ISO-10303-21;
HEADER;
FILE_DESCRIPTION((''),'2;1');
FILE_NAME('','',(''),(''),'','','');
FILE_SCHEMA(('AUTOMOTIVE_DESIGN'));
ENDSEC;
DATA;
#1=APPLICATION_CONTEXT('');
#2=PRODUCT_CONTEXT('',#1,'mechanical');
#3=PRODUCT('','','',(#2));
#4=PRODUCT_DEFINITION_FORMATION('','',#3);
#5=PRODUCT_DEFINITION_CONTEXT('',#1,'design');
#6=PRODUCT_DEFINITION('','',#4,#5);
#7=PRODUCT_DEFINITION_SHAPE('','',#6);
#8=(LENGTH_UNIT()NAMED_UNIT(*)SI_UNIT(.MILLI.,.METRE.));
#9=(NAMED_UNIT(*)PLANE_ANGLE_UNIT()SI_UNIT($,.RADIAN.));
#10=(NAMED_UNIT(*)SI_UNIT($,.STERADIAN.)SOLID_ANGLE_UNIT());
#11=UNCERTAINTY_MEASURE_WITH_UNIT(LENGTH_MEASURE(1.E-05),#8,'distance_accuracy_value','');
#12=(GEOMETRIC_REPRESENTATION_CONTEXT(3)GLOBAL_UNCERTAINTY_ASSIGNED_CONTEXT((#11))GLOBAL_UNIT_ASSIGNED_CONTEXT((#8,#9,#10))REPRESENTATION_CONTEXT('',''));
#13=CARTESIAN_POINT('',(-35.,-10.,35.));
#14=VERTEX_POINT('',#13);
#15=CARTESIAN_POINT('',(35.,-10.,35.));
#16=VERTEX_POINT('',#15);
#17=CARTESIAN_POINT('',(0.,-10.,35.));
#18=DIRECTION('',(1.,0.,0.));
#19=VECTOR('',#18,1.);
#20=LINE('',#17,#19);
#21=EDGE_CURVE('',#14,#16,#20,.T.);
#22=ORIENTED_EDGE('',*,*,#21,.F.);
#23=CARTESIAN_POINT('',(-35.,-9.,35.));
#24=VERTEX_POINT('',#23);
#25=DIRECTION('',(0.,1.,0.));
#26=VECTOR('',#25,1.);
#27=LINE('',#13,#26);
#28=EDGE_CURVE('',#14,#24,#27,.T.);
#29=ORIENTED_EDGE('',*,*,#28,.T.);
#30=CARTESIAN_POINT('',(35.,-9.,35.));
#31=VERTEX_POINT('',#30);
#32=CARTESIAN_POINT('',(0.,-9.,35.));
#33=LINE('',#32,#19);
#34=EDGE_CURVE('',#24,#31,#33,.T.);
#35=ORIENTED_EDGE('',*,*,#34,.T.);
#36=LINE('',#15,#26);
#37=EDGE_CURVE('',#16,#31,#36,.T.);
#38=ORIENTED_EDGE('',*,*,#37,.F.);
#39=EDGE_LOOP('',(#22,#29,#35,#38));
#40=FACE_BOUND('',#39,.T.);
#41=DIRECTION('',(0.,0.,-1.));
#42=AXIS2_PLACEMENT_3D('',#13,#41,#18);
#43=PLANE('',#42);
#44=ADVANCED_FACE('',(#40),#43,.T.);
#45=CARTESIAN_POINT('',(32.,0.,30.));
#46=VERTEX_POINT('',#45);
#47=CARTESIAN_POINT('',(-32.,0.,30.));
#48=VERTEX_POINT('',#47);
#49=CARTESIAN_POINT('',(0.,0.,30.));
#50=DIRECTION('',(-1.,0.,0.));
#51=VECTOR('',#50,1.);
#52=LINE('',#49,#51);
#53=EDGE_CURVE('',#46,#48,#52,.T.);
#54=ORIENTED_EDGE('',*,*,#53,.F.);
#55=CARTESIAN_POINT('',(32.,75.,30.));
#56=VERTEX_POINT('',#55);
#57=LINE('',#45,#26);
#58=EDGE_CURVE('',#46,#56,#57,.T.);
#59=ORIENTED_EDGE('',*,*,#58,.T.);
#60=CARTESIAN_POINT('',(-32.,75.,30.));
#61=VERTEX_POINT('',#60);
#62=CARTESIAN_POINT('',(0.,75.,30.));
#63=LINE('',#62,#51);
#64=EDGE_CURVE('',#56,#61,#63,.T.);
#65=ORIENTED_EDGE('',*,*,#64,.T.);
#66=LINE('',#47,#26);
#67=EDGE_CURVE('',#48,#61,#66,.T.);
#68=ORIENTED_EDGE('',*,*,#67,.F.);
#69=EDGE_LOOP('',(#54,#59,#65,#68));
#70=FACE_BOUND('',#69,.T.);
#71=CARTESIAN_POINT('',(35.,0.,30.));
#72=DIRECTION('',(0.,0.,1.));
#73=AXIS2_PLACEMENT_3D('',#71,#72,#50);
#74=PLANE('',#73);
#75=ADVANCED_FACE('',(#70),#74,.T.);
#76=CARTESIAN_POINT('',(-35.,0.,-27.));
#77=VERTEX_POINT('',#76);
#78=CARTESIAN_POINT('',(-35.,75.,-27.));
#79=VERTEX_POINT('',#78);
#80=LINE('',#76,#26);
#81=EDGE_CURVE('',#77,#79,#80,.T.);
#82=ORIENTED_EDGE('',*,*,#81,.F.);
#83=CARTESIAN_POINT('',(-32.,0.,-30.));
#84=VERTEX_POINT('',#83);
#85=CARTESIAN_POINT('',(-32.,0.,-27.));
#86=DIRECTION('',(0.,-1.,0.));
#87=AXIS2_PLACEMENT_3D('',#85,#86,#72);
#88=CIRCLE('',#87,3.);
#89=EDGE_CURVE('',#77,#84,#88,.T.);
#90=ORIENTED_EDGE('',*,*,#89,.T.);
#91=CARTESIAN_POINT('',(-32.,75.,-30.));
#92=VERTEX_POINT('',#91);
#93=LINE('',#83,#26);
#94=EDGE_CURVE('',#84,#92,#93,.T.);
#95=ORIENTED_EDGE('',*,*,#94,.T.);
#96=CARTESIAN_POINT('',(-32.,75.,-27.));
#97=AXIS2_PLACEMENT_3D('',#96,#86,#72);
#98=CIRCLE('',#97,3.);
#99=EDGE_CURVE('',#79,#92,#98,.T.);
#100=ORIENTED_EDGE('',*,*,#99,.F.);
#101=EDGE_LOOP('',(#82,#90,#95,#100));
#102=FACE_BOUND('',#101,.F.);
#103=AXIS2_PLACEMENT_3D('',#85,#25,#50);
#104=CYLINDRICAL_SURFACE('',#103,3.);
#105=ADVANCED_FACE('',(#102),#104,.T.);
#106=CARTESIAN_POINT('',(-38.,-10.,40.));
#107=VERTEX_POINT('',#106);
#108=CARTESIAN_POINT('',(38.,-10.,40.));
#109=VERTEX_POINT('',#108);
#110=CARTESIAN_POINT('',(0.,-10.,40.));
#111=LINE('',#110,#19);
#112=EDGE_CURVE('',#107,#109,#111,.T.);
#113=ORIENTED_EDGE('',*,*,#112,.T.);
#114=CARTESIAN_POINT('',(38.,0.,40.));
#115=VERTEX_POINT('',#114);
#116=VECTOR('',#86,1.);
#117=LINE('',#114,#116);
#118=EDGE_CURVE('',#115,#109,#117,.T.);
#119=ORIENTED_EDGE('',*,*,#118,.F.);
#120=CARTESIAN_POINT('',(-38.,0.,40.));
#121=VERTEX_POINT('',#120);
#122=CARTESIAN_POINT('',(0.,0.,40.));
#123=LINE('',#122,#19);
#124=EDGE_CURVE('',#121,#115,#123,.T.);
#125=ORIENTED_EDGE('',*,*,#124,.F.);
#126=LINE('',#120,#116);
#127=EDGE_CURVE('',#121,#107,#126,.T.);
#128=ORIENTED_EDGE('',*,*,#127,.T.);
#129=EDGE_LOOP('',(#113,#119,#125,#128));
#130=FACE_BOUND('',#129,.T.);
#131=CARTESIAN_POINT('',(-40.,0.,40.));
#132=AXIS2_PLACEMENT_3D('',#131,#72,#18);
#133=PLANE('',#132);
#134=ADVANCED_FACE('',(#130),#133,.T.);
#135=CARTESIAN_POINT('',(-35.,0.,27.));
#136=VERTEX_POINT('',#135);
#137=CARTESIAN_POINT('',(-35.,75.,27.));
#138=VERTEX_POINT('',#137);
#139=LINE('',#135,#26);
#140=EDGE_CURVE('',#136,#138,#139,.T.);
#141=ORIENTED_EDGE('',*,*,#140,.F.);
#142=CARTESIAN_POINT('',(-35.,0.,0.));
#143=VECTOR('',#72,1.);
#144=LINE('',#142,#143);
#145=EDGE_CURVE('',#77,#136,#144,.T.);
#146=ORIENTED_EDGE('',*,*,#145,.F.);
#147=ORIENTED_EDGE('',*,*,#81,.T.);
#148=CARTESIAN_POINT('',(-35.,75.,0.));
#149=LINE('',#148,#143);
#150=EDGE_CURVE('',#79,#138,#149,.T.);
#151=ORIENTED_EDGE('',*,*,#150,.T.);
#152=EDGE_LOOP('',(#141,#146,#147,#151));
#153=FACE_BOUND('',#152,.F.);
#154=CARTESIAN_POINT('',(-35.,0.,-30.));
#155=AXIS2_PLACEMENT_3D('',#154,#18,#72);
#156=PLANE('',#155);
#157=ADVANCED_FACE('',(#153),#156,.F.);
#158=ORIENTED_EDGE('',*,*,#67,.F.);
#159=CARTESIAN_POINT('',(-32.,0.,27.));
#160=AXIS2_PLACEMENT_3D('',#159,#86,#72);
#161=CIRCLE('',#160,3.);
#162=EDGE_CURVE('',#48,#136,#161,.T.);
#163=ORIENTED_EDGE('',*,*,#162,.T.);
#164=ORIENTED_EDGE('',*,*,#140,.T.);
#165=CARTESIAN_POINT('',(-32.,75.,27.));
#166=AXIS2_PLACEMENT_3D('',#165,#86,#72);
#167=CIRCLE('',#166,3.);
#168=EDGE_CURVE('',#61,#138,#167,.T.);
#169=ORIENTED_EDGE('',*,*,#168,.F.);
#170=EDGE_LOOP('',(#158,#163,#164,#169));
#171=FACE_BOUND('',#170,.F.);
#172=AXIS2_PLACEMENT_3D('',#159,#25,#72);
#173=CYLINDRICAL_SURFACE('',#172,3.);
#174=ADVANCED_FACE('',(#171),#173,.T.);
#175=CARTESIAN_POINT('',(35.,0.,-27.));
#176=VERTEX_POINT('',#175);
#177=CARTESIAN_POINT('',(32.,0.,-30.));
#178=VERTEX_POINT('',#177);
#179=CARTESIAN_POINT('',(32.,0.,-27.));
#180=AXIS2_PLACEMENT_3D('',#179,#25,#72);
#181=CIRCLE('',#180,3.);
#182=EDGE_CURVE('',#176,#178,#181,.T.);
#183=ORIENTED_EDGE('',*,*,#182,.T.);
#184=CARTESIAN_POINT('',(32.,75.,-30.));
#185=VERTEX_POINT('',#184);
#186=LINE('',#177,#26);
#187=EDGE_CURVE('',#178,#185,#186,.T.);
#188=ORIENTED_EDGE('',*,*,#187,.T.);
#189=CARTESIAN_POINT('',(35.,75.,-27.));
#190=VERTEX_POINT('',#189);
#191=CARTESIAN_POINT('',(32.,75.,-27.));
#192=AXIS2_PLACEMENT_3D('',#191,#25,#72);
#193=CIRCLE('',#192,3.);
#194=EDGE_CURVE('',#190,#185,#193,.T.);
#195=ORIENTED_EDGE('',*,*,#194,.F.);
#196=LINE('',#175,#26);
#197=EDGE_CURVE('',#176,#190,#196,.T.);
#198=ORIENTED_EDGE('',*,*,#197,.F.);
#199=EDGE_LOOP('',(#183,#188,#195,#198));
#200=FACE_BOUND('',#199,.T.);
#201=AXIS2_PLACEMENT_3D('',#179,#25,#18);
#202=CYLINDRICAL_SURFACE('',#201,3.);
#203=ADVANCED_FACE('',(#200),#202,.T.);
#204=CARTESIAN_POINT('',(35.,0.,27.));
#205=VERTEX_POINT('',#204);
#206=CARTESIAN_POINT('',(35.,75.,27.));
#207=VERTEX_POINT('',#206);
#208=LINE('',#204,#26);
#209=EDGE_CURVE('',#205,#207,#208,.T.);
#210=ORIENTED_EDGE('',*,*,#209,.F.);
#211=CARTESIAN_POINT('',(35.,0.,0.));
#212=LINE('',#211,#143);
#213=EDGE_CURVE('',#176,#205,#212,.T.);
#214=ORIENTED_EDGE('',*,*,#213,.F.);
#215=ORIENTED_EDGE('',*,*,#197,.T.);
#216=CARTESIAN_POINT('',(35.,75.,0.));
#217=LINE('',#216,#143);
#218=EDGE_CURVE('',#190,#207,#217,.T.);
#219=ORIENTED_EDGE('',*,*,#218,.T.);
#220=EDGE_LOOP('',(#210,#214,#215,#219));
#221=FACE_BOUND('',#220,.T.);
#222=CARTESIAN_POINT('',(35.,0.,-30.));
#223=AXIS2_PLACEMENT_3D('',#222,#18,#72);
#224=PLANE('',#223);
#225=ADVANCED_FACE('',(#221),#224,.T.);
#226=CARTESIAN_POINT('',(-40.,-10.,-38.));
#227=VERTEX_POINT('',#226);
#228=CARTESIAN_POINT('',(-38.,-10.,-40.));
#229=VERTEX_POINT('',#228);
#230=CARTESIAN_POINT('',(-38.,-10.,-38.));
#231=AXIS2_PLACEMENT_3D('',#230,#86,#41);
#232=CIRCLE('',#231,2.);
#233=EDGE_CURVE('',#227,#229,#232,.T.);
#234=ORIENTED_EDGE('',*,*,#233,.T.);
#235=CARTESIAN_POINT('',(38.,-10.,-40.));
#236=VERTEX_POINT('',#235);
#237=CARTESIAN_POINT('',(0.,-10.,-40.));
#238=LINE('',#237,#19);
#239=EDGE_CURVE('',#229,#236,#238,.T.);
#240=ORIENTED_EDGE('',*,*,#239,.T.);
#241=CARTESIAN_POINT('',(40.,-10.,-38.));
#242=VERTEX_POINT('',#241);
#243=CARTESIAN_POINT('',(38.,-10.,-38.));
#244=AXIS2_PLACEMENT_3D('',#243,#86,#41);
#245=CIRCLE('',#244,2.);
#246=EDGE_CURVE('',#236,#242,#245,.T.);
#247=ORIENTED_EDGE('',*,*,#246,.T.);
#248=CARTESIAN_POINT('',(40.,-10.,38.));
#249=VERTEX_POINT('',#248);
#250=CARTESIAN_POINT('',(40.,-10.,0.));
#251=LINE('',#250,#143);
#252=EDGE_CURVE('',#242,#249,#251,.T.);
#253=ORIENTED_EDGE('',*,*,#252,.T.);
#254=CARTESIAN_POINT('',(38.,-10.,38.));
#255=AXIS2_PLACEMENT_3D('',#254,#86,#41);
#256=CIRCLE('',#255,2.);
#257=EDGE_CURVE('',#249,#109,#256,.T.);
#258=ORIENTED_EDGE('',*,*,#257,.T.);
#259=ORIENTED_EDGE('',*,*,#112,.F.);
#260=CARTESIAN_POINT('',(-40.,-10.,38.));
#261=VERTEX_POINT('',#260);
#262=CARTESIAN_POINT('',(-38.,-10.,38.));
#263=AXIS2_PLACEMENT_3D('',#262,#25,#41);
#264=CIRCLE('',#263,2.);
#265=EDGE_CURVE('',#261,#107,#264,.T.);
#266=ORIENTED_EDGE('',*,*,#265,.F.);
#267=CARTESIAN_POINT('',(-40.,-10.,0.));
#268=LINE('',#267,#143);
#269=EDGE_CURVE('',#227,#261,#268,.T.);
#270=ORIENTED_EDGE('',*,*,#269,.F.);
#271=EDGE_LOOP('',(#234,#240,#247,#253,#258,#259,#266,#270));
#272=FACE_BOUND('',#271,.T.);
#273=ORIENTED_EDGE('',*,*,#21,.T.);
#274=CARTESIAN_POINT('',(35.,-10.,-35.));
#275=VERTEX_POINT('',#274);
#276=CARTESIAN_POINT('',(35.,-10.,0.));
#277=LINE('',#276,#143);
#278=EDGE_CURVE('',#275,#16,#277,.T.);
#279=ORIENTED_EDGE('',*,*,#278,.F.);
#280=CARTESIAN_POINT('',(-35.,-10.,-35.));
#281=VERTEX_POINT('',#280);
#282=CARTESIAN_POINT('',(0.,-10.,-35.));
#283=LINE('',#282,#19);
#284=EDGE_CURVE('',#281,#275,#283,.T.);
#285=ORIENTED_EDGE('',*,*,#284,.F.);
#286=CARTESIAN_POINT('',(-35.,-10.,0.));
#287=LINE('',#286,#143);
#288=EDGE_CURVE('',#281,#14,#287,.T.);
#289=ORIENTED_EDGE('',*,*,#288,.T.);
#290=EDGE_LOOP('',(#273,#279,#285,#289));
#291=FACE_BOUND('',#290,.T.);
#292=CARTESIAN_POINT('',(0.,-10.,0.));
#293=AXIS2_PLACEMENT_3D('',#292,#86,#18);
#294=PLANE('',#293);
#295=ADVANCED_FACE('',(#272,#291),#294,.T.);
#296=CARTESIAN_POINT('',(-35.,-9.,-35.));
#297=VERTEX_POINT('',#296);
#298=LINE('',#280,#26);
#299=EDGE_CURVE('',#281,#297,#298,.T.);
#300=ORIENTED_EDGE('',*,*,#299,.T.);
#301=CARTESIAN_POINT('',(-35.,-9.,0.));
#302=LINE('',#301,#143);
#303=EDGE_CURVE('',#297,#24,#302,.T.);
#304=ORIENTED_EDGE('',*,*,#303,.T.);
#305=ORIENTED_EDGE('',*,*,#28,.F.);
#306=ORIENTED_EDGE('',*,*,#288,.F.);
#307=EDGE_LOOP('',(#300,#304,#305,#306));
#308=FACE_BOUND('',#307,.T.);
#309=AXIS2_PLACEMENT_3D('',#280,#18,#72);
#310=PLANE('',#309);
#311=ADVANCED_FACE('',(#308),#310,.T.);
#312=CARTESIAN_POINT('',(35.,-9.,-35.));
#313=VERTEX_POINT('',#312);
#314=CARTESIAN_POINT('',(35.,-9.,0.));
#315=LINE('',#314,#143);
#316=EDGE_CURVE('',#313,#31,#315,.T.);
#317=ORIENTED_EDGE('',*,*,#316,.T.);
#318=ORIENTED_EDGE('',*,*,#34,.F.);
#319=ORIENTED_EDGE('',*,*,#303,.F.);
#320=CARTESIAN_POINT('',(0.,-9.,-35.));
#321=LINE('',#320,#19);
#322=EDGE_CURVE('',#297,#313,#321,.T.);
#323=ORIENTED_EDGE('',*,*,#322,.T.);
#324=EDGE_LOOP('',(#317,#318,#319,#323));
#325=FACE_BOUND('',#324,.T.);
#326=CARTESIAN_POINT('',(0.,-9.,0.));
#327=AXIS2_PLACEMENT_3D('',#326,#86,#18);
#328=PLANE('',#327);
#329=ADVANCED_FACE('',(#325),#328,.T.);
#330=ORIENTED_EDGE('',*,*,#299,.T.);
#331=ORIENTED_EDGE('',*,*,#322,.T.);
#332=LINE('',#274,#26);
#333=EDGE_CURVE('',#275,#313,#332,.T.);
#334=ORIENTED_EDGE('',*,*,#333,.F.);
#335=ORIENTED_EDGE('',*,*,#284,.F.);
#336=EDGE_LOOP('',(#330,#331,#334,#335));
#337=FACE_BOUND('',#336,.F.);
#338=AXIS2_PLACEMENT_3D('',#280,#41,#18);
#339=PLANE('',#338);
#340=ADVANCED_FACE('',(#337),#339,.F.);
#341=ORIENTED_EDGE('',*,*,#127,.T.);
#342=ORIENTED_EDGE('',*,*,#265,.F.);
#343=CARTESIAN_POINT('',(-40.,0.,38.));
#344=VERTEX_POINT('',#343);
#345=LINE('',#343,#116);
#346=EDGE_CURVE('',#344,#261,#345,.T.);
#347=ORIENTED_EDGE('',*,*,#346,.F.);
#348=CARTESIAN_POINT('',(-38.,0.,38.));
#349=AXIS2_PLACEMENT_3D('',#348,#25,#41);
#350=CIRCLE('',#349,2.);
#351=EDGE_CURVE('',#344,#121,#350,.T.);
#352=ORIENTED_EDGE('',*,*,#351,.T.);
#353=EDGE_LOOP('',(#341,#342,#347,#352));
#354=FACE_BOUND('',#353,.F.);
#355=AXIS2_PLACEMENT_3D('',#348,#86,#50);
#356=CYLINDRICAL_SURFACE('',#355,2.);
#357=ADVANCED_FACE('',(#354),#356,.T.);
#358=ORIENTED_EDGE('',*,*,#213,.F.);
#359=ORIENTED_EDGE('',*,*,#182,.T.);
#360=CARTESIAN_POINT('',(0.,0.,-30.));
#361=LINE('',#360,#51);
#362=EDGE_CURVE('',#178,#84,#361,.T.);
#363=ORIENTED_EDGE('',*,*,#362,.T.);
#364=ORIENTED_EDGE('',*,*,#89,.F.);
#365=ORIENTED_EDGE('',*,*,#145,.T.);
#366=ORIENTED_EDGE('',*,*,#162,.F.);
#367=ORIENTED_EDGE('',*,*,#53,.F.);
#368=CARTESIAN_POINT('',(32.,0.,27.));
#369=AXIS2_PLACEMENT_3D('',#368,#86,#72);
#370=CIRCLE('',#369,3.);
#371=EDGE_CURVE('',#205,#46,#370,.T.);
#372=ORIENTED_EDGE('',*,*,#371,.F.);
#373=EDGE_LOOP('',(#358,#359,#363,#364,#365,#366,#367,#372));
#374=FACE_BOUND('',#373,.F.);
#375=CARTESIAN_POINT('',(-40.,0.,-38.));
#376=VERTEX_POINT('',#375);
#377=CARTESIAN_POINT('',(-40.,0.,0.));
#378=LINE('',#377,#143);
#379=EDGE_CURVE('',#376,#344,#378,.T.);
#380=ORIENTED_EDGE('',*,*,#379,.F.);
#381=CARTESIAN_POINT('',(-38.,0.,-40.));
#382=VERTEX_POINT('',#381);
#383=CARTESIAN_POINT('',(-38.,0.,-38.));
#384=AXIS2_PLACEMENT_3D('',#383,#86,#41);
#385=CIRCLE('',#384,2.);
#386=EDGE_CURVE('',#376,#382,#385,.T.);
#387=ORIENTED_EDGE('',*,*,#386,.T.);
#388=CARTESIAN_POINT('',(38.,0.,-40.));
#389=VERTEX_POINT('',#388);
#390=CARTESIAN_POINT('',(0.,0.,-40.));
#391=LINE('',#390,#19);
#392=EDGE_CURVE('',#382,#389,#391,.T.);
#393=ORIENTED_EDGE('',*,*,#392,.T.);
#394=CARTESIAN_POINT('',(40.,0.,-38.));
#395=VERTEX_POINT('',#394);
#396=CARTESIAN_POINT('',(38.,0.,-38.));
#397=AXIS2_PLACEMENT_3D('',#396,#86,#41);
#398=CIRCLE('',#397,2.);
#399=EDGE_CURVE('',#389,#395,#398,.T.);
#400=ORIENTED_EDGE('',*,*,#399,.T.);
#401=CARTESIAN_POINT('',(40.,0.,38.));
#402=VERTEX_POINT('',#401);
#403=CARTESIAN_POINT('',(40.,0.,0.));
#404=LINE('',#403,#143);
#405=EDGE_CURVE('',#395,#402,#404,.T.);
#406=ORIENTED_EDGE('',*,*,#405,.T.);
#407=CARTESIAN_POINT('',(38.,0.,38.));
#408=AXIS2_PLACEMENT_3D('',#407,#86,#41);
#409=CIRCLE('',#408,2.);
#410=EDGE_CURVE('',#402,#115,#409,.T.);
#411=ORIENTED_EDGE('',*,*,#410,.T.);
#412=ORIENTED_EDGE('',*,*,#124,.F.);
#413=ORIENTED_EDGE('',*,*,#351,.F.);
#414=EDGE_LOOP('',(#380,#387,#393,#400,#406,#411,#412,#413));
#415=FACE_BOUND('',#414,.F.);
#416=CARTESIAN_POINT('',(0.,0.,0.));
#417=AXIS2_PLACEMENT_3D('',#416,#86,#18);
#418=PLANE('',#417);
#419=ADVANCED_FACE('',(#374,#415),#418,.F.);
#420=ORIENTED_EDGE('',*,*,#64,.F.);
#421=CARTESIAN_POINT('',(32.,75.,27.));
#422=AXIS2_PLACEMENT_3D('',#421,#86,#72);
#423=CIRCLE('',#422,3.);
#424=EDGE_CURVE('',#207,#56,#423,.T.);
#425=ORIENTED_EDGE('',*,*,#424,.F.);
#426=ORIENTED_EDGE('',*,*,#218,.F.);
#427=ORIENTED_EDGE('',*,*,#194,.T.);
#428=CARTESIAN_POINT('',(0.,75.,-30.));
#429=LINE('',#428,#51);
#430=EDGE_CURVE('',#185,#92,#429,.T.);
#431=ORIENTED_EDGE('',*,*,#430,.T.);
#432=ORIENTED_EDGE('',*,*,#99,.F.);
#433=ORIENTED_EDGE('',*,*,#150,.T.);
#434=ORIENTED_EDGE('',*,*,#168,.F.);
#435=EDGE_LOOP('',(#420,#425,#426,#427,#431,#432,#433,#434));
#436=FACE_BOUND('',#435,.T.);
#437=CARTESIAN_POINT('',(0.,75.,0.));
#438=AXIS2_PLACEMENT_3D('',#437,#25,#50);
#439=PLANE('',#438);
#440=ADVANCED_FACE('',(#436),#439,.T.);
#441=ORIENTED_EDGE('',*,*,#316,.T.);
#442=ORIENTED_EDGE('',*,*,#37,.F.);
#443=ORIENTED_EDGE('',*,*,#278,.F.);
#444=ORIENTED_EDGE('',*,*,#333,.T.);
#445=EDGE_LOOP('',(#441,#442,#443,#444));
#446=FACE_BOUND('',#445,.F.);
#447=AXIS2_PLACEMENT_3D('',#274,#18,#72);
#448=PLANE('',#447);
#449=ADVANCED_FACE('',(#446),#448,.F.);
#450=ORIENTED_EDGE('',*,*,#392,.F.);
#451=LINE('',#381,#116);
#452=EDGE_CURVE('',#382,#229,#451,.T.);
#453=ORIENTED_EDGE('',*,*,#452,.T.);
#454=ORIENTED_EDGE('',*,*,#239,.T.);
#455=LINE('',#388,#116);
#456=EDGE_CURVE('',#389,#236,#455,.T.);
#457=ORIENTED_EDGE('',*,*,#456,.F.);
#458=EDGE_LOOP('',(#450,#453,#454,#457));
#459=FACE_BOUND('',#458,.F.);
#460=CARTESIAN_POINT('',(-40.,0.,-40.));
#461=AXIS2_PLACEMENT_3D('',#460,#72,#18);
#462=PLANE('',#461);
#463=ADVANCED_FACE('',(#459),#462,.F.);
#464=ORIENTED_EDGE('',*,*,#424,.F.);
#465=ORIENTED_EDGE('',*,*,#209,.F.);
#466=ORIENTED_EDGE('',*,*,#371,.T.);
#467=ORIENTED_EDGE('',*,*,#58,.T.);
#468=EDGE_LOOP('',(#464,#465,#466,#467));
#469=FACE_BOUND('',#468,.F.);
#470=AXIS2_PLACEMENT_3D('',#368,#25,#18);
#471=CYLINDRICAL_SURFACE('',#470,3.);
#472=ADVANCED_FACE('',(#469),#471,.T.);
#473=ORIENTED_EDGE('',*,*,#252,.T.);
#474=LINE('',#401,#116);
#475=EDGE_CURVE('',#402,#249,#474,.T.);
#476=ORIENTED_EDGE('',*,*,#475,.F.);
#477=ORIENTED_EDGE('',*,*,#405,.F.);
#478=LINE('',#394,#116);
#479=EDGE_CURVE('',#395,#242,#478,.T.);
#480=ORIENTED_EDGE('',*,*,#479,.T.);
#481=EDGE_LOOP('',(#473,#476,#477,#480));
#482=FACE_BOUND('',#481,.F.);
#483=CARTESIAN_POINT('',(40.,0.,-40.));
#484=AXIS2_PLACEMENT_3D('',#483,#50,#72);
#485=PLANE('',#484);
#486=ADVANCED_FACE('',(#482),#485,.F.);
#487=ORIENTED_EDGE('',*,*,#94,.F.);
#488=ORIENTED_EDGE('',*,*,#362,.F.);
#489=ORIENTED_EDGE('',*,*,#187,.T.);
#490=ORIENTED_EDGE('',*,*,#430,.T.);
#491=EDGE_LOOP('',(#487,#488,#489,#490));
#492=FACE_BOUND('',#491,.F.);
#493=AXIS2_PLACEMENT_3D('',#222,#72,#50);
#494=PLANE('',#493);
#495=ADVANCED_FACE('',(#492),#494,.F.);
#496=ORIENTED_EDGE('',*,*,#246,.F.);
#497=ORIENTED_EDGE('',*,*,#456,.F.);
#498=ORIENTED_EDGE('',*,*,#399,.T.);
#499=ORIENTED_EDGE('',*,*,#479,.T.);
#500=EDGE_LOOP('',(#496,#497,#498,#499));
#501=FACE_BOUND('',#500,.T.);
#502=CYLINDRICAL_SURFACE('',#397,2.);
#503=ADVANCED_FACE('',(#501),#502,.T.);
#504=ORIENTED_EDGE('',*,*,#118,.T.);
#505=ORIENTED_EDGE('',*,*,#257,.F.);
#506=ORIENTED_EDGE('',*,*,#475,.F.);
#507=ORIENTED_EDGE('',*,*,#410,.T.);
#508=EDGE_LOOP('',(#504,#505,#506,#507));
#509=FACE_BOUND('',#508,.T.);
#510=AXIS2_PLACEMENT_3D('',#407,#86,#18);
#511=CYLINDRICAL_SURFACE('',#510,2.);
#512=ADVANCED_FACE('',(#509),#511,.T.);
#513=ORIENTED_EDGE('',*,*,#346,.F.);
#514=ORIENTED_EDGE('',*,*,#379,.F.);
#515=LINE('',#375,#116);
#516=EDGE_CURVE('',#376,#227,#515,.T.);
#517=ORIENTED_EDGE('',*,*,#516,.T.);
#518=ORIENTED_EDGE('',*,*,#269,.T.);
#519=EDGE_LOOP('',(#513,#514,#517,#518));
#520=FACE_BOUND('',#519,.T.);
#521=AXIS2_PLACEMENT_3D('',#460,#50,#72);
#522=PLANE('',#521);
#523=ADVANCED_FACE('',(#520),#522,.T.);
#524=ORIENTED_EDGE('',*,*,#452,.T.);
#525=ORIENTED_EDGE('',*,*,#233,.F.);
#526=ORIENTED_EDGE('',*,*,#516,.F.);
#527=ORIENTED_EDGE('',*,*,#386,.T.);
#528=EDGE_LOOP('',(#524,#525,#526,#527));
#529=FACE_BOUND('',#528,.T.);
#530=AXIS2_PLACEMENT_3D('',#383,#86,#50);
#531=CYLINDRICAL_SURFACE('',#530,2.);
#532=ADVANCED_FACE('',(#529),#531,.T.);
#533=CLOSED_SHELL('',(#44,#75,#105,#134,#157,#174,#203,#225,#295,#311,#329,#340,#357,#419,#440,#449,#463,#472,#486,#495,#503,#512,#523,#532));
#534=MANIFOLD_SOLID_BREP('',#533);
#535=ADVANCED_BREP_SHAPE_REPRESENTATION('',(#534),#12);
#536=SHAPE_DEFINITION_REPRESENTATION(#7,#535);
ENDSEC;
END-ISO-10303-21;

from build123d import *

# Parameters (mm, degrees)
F0_W     = 80
F0_H     = 80
F1_DEPTH = 10
F2_R     = 2
F3_W     = 70
F3_H     = 70
F4_DEPTH = 1
F5_W     = 70
F5_H     = 60
F6_DEPTH = 75
F7_R     = 3


with BuildPart() as f1:
    # F0 (on Front) → F1 (new body)
    with BuildSketch(Plane.XZ):
        Rectangle(F0_W, F0_H)
    extrude(amount=F1_DEPTH)

    # F2
    f2_edges = [f1.edges().sort_by_distance(p)[0] for p in [
        (-40, -5, 40),
        (40, -5, 40),
        (40, -5, -40),
        (-40, -5, -40),
    ]]
    fillet(f2_edges, radius=F2_R)

    # F3 (on face) → F4 (cut)
    with BuildSketch(Plane.XZ.offset(10)):
        Rectangle(F3_W, F3_H)
    extrude(amount=-F4_DEPTH, mode=Mode.SUBTRACT)

    # F5 (on face) → F6 (join)
    with BuildSketch(Plane(origin=(0, 0, 0), x_dir=(-1, 0, 0), z_dir=(0, 1, 0))):
        Rectangle(F5_W, F5_H)
    extrude(amount=F6_DEPTH)

    # F7
    f7_edges = [f1.edges().sort_by_distance(p)[0] for p in [
        (35, 37.5, 30),
        (-35, 37.5, 30),
        (35, 37.5, -30),
        (-35, 37.5, -30),
    ]]
    fillet(f7_edges, radius=F7_R)


solid = f1.part
